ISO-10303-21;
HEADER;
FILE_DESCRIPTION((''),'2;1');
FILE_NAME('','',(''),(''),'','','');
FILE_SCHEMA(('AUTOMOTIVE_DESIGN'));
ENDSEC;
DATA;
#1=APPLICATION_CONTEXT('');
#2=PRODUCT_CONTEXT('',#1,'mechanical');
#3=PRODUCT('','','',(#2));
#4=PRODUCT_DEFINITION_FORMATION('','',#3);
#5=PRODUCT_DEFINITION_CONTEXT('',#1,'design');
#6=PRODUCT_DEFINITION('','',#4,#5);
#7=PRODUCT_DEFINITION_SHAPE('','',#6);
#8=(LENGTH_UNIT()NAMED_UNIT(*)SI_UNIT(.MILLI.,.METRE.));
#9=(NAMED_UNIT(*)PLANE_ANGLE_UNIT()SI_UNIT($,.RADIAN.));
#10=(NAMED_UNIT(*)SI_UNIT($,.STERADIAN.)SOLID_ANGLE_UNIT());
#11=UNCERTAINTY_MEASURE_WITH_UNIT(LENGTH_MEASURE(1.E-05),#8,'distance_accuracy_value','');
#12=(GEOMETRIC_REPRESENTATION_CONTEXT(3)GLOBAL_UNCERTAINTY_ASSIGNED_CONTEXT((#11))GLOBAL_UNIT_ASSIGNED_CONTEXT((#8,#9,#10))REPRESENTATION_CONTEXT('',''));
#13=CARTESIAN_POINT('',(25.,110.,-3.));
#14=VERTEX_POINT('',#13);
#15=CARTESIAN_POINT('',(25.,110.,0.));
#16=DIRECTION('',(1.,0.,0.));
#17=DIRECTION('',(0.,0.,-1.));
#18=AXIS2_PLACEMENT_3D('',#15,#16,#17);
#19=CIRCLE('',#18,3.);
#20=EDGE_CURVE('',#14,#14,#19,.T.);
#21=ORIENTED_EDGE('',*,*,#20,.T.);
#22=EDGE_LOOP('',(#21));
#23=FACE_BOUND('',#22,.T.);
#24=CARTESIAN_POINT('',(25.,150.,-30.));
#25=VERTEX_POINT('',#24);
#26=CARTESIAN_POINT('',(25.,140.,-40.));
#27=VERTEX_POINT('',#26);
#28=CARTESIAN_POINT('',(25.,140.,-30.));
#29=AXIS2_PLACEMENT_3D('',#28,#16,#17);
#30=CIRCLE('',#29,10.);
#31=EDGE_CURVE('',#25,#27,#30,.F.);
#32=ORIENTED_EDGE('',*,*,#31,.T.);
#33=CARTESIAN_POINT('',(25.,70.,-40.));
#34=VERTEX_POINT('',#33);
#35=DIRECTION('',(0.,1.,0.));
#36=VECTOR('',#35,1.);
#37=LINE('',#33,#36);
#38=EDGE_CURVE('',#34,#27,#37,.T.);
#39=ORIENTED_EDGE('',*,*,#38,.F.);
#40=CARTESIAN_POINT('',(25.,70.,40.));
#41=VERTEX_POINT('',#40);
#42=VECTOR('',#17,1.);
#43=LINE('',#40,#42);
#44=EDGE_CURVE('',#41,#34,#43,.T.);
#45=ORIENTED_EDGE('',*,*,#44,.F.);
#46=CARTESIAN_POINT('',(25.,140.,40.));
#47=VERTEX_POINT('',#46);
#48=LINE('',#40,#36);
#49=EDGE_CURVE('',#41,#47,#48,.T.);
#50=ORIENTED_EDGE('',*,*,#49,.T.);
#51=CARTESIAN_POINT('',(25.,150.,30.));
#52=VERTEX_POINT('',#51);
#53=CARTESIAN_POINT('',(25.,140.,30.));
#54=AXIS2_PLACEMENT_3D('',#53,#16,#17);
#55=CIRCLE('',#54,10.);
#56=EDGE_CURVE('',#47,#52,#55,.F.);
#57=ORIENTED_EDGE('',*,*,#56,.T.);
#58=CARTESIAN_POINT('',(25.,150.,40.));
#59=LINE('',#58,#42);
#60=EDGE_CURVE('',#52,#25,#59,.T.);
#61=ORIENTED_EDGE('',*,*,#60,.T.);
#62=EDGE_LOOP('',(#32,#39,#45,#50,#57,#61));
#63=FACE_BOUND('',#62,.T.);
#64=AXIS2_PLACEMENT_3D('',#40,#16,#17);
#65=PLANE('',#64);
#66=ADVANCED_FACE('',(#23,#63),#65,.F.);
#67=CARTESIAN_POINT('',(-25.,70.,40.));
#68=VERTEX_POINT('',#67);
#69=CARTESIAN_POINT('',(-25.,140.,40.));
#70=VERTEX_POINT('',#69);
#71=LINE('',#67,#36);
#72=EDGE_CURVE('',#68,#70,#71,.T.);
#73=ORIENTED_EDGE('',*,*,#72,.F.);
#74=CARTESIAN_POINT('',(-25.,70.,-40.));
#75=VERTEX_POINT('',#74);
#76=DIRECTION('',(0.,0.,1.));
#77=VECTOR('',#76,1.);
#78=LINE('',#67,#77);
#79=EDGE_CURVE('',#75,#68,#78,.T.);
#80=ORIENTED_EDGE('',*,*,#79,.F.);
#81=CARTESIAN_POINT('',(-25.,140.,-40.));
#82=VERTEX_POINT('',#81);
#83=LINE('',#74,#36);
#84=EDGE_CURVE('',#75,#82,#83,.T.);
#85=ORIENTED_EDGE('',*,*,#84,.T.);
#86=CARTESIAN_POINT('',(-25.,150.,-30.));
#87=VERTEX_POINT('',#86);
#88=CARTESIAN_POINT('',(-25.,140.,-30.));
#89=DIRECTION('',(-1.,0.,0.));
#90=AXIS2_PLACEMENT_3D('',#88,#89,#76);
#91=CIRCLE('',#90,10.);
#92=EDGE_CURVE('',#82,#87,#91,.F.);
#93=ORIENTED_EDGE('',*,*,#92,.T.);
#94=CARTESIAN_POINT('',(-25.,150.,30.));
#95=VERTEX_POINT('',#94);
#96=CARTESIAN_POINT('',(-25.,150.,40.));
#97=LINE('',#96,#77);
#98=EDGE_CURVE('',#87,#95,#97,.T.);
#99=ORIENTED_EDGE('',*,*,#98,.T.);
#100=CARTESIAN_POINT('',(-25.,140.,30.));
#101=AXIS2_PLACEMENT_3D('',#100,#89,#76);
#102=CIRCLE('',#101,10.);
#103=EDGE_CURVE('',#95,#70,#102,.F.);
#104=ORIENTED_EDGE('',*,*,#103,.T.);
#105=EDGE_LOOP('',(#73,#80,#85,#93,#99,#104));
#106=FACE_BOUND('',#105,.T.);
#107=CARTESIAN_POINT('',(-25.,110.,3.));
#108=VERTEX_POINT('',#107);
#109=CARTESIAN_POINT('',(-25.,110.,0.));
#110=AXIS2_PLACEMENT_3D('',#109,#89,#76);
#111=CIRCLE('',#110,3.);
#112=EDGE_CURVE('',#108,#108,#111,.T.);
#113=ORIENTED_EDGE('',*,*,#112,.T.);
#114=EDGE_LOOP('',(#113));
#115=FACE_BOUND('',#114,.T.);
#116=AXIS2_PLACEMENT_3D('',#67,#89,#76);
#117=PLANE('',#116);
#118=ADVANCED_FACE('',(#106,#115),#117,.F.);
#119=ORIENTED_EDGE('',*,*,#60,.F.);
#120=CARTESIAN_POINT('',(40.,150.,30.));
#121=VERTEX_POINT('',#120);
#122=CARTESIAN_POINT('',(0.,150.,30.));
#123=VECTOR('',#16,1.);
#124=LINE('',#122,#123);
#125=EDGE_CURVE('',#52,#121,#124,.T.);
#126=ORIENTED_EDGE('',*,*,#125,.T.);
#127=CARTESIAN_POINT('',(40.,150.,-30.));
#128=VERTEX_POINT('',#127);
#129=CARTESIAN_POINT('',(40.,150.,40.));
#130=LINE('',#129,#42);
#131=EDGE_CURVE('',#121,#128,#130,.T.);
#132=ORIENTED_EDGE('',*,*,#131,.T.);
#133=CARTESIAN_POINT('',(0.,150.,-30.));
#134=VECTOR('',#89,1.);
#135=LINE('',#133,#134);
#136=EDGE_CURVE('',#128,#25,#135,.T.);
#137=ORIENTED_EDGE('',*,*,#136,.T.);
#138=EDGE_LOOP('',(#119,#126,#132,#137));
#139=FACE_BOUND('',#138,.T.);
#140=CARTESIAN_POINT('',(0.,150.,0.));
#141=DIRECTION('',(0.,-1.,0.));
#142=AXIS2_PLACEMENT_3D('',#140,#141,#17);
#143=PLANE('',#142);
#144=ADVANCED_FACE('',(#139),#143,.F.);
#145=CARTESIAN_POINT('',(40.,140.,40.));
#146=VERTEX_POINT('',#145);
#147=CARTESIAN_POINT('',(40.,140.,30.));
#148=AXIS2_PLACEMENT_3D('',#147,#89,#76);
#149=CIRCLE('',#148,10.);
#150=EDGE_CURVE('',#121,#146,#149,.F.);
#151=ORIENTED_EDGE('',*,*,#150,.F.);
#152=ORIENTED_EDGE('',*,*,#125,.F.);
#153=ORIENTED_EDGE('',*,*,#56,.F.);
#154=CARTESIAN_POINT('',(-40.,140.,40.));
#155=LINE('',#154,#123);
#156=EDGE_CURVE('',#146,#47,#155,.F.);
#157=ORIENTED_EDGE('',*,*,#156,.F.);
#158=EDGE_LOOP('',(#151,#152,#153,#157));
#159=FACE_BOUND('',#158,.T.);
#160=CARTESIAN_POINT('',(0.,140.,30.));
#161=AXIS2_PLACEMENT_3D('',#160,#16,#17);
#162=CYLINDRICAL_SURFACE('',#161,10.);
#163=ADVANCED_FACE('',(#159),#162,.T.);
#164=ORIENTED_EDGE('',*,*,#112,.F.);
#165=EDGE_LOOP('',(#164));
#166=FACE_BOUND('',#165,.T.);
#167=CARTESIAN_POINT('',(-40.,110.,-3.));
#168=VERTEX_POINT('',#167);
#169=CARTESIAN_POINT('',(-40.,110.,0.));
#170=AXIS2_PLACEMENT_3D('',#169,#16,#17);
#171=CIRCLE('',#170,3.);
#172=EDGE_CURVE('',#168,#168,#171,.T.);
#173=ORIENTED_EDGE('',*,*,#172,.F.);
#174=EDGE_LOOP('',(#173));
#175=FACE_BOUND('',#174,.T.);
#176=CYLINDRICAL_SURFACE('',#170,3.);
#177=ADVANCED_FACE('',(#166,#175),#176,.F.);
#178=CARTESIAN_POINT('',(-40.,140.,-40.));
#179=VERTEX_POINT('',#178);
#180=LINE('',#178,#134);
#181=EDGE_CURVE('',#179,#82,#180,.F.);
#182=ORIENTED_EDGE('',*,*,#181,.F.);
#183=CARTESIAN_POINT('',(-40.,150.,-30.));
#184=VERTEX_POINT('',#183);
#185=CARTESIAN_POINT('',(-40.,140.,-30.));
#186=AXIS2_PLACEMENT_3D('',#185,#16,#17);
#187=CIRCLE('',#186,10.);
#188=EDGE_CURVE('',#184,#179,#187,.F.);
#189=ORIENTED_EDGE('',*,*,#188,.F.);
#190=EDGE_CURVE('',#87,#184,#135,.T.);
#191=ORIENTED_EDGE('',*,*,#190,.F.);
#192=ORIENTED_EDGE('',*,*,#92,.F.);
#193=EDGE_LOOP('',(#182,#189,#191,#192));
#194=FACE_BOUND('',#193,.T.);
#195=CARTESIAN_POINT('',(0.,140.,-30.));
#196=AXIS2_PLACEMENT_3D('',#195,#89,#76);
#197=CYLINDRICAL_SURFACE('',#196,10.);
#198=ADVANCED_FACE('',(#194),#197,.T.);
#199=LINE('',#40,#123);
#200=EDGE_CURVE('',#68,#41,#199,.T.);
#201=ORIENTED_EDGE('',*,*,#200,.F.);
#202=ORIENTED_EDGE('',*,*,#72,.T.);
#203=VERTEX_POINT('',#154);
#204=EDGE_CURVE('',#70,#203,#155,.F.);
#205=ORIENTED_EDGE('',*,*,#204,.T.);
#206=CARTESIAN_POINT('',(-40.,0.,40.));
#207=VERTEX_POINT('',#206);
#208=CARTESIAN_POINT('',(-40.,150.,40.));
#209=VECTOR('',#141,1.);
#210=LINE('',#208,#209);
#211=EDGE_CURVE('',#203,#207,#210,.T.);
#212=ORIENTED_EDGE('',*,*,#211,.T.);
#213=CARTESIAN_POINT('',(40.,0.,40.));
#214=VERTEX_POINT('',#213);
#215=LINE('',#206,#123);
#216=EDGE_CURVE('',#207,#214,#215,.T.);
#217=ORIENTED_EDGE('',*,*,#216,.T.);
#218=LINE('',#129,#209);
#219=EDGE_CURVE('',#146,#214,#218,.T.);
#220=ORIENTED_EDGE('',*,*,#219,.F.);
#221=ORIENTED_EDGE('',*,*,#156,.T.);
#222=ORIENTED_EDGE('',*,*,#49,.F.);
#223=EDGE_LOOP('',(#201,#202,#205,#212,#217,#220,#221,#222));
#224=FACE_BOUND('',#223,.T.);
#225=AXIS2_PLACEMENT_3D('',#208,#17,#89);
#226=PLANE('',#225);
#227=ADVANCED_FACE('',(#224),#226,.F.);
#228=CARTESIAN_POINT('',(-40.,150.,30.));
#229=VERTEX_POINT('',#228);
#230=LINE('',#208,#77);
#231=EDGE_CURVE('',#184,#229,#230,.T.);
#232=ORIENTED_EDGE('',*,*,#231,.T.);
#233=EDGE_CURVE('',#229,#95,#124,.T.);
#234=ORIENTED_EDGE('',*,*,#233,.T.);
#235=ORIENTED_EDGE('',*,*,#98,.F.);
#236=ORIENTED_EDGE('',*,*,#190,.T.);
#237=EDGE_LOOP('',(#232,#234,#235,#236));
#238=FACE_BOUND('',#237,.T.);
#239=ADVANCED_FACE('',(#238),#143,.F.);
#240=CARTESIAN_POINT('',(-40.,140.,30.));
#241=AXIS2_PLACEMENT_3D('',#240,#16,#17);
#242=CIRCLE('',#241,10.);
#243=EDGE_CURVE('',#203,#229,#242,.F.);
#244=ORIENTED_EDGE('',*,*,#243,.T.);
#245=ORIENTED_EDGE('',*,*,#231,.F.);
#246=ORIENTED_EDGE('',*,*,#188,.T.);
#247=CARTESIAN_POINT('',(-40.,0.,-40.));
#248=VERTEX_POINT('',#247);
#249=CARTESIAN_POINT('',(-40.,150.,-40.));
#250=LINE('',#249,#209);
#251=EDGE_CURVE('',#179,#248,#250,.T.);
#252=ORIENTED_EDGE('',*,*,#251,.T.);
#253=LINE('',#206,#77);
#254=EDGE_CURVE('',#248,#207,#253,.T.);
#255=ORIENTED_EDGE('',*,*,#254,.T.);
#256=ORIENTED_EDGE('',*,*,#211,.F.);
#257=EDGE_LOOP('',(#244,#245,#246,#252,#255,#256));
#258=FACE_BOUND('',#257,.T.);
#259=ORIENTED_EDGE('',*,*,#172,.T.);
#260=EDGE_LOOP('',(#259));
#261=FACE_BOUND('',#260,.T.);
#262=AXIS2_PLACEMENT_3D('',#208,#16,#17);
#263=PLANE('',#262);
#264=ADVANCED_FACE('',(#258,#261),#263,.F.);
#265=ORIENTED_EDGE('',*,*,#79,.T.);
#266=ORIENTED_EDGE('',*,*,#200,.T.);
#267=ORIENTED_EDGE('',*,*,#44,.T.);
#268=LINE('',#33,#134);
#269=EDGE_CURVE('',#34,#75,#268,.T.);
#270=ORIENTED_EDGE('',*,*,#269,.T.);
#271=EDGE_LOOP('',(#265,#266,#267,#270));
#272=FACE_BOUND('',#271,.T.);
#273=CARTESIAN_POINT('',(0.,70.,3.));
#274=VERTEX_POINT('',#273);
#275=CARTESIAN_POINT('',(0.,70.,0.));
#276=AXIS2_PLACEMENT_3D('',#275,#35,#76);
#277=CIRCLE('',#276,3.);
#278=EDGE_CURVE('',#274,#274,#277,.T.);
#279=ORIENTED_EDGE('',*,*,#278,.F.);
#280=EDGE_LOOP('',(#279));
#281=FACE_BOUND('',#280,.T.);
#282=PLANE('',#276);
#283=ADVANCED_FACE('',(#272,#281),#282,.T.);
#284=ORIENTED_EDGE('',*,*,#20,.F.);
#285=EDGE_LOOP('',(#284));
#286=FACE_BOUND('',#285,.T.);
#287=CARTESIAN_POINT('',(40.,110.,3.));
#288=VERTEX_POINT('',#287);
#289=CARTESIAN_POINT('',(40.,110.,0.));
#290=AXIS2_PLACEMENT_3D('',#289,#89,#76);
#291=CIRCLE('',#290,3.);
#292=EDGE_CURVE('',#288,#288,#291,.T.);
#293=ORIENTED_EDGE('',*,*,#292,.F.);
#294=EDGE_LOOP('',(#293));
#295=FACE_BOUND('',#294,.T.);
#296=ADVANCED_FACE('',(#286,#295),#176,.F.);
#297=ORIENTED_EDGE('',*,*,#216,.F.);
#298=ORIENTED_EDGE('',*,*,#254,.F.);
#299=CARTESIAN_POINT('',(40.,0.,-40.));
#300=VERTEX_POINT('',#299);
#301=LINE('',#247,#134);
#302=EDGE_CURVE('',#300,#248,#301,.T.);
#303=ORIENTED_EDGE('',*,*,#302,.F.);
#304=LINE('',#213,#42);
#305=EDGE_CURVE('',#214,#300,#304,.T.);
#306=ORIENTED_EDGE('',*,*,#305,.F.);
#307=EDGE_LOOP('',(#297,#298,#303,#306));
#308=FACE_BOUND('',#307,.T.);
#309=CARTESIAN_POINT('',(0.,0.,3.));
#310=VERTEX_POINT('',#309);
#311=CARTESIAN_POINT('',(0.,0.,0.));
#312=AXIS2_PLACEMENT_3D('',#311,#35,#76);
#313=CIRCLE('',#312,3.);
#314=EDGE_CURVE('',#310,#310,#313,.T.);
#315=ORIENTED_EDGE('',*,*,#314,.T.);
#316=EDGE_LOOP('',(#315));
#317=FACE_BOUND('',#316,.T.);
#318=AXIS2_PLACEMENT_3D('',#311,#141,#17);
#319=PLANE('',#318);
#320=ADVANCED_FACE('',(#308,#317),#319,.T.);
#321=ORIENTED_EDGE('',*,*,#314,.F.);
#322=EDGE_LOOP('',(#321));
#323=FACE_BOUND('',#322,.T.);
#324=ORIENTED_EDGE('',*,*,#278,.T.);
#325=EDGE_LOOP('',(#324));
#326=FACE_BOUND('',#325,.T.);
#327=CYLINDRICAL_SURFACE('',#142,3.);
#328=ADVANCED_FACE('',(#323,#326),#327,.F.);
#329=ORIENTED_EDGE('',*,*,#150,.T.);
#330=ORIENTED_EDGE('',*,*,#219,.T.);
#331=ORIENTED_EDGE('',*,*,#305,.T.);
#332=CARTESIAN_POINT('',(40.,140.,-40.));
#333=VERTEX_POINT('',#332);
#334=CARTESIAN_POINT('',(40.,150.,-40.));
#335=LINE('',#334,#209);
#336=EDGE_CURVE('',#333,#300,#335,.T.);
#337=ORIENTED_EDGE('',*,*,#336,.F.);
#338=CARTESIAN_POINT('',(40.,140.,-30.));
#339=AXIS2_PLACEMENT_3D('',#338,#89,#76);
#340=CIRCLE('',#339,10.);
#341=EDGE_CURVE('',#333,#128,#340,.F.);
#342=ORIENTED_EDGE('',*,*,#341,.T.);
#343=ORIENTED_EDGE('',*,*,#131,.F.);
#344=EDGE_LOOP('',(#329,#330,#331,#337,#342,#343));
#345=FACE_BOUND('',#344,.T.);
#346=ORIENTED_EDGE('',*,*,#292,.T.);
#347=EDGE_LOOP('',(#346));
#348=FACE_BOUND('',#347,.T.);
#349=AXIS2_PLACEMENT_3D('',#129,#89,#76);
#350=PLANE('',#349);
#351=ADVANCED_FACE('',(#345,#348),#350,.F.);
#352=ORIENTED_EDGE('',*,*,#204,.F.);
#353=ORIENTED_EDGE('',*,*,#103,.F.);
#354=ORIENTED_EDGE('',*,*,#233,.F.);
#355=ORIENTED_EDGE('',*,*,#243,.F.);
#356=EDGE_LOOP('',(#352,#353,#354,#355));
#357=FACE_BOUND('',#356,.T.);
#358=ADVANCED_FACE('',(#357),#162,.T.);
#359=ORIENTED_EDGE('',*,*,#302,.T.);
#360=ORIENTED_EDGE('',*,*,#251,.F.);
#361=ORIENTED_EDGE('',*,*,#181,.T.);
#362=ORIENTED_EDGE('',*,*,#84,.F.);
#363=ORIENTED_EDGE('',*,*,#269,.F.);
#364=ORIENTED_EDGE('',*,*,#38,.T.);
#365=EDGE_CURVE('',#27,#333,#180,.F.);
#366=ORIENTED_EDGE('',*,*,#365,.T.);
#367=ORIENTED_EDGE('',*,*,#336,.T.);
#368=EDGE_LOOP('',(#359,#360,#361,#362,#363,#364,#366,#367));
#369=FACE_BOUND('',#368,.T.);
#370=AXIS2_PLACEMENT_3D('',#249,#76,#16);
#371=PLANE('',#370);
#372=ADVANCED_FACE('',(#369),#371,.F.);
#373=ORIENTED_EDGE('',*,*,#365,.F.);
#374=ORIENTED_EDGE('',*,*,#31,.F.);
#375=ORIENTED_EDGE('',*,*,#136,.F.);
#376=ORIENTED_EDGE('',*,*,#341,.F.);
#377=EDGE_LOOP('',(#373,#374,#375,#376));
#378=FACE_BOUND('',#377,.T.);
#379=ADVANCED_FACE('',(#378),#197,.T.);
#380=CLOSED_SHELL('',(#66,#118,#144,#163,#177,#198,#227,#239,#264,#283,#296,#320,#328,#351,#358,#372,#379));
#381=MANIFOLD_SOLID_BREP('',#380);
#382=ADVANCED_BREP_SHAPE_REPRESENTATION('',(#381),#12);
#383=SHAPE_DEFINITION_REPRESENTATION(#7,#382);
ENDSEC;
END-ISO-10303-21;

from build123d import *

# Parameters (mm, degrees)
SKETCH1_W               = 80
SKETCH1_H               = 80
SKETCH1_R               = 3
BOSS_EXTRUDE1_DEPTH     = 150
SKETCH2_W               = 50
SKETCH2_H               = 80
CUT_EXTRUDE1_DEPTH      = 80
SKETCH3_R               = 3
CUT_EXTRUDE2_DEPTH      = 1
CUT_EXTRUDE2_DEPTH_BACK = 81
FILLET1_R               = 10


with BuildPart() as part:
    # Sketch1 → Boss-Extrude1 (new body)
    with BuildSketch(Plane(origin=(0, 0, 0), x_dir=(1, 0, 0), z_dir=(0, 1, 0))):
        Rectangle(SKETCH1_W, SKETCH1_H)
        Circle(SKETCH1_R, mode=Mode.SUBTRACT)
    extrude(amount=BOSS_EXTRUDE1_DEPTH)

    # Sketch2 → Cut-Extrude1 (cut)
    with BuildSketch(Plane(origin=(0, 150, 0), x_dir=(1, 0, 0), z_dir=(0, 1, 0))):
        Rectangle(SKETCH2_W, SKETCH2_H)
    extrude(amount=-CUT_EXTRUDE1_DEPTH, mode=Mode.SUBTRACT)

    # Sketch3 → Cut-Extrude2 (cut, two sides)
    with BuildSketch(Plane(origin=(40, 0, 0), x_dir=(0, 0, -1), z_dir=(1, 0, 0))) as cut_extrude2_sk:
        with Locations((0, 110)):
            Circle(SKETCH3_R)
    extrude(amount=CUT_EXTRUDE2_DEPTH, mode=Mode.SUBTRACT)
    extrude(cut_extrude2_sk.sketch, amount=-CUT_EXTRUDE2_DEPTH_BACK, mode=Mode.SUBTRACT)

    # Fillet1
    fillet1_edges = [part.edges().sort_by_distance(p)[0] for p in [
        (-32.5, 150, 40),
        (32.5, 150, 40),
        (-32.5, 150, -40),
        (32.5, 150, -40),
    ]]
    fillet(fillet1_edges, radius=FILLET1_R)


solid = part.part
